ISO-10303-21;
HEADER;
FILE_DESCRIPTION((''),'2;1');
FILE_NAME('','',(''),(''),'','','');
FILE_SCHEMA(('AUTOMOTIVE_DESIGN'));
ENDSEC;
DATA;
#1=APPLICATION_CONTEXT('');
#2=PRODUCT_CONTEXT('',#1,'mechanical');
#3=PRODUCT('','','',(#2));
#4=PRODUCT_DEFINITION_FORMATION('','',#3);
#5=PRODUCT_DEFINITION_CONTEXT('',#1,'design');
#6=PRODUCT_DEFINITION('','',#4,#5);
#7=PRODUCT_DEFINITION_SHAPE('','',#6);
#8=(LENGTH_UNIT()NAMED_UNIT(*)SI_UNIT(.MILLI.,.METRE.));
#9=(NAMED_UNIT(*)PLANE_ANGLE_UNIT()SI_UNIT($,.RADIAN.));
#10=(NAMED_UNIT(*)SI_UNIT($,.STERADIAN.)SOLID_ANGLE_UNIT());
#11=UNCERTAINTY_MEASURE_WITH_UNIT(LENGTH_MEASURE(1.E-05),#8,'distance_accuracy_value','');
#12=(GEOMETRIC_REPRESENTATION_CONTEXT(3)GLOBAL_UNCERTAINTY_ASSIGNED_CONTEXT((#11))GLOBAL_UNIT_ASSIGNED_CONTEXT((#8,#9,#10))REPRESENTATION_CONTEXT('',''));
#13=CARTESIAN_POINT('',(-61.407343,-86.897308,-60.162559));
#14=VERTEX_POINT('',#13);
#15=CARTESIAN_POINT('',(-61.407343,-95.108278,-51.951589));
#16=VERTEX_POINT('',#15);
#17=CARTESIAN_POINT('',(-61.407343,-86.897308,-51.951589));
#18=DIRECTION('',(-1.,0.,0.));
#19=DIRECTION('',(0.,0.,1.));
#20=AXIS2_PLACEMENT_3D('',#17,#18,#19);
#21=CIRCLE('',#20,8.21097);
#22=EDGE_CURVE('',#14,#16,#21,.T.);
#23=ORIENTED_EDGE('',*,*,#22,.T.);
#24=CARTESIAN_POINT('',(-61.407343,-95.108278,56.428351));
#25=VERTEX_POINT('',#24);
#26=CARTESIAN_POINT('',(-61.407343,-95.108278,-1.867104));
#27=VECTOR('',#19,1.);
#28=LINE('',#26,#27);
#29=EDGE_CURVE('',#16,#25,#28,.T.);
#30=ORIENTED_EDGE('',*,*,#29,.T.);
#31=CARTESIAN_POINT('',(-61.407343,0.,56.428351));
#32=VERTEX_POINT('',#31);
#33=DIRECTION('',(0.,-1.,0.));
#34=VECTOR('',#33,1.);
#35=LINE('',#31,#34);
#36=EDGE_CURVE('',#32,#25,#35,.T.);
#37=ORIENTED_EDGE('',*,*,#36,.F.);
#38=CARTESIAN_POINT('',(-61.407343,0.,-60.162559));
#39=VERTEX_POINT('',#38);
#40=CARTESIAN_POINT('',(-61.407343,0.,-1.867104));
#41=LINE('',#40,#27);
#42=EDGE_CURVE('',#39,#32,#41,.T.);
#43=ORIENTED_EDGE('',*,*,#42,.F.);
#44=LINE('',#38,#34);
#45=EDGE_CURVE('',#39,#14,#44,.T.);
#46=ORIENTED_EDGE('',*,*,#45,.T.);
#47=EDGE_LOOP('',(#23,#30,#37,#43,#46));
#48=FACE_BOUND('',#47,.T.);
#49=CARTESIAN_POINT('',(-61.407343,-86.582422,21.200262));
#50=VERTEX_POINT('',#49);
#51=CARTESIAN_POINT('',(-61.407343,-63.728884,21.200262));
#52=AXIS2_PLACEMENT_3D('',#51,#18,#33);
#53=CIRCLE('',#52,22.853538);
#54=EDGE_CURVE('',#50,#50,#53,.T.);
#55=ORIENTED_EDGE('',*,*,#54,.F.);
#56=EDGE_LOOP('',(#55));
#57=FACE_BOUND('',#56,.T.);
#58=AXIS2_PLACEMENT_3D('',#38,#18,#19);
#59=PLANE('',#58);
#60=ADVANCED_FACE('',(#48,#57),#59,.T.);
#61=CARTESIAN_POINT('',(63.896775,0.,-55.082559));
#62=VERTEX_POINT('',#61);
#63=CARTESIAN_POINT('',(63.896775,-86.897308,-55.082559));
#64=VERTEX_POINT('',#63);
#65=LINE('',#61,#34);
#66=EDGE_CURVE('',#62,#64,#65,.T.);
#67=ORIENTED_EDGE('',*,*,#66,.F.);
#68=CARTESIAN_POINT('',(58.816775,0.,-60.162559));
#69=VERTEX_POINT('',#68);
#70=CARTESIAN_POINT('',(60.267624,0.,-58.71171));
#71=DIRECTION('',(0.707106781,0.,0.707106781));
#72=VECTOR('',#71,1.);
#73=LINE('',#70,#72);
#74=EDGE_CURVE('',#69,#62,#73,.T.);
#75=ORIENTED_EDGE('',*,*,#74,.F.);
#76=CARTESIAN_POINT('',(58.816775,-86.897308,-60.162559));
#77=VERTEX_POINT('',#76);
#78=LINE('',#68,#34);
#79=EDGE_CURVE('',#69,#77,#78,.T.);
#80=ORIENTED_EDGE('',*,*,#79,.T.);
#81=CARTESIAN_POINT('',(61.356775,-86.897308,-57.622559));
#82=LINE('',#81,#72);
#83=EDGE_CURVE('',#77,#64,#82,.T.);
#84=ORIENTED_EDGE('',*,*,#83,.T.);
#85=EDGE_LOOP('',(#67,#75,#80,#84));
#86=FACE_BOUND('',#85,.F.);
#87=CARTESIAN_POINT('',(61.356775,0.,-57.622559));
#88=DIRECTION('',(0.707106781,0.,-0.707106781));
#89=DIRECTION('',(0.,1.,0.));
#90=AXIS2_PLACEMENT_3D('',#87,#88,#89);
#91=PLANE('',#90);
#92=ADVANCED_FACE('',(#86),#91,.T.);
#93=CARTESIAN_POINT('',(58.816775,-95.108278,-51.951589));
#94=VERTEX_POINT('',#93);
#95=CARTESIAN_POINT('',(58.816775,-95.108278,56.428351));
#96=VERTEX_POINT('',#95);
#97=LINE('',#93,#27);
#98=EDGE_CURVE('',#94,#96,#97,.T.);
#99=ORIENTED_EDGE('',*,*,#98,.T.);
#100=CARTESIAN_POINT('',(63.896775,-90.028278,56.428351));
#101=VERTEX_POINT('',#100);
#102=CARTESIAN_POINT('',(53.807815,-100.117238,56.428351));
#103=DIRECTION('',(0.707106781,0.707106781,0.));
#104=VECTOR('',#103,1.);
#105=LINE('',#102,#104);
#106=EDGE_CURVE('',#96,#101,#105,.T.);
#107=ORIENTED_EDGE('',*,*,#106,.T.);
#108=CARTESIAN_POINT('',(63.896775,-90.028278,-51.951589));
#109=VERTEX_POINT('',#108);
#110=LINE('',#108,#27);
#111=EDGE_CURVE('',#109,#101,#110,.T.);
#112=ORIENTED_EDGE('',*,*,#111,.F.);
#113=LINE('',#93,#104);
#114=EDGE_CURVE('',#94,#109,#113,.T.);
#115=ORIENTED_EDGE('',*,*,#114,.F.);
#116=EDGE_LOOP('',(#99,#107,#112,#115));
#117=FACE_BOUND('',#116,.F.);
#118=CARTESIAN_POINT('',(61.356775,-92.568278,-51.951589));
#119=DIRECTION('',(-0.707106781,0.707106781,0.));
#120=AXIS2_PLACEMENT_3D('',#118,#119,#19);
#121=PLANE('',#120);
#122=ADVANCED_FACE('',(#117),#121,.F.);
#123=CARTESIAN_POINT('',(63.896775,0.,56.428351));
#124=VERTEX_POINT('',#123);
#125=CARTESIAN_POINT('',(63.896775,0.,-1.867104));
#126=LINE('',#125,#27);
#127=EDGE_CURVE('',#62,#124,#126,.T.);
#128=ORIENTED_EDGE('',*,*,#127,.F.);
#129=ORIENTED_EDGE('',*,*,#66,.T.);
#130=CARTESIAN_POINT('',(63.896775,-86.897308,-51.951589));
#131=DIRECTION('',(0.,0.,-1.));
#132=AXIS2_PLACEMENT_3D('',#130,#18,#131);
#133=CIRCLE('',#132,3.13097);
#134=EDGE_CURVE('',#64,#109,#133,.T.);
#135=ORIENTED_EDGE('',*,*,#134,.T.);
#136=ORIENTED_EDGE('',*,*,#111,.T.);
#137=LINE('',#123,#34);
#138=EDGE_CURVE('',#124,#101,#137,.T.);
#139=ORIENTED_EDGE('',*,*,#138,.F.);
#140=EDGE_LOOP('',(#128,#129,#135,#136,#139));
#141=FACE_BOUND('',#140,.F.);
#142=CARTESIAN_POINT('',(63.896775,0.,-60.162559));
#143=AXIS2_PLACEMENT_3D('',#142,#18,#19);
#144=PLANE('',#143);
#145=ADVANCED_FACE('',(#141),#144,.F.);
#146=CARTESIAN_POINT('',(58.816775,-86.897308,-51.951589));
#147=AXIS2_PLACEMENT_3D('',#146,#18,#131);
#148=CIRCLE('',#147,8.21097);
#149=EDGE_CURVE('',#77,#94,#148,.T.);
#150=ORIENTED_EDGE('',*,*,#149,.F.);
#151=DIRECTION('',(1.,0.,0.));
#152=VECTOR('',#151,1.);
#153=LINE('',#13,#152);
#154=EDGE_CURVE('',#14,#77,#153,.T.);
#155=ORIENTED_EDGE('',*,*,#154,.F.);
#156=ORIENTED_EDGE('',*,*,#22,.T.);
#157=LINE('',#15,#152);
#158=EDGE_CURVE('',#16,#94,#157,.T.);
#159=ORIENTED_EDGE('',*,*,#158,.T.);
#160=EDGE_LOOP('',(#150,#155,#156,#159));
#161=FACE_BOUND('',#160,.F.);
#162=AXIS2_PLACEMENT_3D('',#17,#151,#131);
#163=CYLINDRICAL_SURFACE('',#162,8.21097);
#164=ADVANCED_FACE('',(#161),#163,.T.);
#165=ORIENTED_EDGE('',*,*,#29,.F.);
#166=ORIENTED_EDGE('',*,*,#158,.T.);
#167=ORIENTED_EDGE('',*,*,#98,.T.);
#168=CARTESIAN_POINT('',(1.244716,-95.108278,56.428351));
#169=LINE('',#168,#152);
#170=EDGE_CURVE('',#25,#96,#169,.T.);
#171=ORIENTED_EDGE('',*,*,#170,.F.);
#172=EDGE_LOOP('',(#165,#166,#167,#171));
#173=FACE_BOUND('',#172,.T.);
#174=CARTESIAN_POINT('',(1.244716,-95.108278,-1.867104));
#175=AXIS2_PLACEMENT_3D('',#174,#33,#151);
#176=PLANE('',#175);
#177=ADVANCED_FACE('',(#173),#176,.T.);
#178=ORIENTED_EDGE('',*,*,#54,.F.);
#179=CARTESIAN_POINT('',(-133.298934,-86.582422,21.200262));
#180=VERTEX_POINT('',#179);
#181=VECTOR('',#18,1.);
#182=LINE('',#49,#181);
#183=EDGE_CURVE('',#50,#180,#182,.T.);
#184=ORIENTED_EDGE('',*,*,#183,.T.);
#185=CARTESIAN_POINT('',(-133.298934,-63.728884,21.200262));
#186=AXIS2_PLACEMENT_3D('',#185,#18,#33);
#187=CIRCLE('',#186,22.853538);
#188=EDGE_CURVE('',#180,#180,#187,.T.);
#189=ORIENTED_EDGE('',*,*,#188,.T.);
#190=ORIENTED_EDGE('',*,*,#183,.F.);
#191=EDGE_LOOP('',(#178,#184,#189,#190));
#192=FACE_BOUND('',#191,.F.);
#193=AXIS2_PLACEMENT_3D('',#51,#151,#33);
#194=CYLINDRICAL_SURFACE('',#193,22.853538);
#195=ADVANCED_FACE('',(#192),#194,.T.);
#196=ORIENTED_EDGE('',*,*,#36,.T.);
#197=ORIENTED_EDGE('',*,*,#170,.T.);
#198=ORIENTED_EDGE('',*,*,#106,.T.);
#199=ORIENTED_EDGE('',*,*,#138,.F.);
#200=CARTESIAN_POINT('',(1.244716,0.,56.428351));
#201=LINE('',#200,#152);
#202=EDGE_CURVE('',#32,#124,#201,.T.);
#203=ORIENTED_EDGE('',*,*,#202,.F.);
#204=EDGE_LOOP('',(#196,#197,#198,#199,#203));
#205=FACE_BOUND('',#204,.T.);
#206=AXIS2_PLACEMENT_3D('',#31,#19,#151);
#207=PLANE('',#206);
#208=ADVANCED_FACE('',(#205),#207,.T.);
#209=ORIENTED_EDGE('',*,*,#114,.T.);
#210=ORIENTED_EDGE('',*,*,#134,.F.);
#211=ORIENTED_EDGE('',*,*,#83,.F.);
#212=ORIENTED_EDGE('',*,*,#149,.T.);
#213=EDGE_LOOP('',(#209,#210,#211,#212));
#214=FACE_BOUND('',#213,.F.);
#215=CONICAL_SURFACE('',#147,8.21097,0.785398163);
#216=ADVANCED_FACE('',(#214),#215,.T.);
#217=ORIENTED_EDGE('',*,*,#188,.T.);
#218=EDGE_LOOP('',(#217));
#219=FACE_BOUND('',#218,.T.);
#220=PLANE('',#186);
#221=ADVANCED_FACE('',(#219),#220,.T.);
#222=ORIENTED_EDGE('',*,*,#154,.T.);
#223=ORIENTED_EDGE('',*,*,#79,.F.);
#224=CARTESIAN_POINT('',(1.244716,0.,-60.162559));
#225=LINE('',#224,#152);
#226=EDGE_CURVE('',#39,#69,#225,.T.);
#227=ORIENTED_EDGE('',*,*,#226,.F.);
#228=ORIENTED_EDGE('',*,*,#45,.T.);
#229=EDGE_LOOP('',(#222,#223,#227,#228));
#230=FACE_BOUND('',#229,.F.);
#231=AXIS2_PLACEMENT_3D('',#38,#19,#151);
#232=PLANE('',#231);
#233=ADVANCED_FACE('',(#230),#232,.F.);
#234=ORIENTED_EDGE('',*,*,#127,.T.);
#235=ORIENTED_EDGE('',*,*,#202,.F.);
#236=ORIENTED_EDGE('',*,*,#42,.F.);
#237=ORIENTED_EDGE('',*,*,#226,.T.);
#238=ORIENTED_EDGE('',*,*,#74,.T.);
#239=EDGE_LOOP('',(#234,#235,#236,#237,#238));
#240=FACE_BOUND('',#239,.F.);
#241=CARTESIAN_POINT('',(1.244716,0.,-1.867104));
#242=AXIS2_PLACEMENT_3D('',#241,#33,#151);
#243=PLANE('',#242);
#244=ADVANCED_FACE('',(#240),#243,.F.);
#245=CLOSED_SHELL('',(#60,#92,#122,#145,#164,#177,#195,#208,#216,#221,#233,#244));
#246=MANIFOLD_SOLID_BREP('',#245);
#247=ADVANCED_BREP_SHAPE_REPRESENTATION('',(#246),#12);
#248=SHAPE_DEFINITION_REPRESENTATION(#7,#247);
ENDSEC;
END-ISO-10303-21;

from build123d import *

# Parameters (mm, degrees)
F0_W     = 125.304118
F0_H     = 116.59091
F1_DEPTH = 95.108278
F2_R     = 8.21097
F3_SIZE  = 5.08
F4_R     = 22.853538
F5_DEPTH = 71.891591


with BuildPart() as f1:
    # F0 (on Front) → F1 (new body)
    with BuildSketch(Plane.XZ):
        with Locations((1.244716, -1.867104)):
            Rectangle(F0_W, F0_H)
    extrude(amount=F1_DEPTH)

    # F2
    f2_edges = [f1.edges().sort_by_distance(p)[0] for p in [
        (1.244716, -95.108278, -60.162559),
    ]]
    fillet(f2_edges, radius=F2_R)

    # F3
    f3_edges = [f1.edges().sort_by_distance(p)[0] for p in [
        (63.896775, -95.108278, 2.238381),
    ]]
    chamfer(f3_edges, length=F3_SIZE)

    # F4 (on face) → F5 (join)
    with BuildSketch(Plane(origin=(-61.407343, 0, 0), x_dir=(0, -1, 0), z_dir=(-1, 0, 0))):
        with Locations((63.728884, 21.200262)):
            Circle(F4_R)
    extrude(amount=F5_DEPTH)


solid = f1.part
